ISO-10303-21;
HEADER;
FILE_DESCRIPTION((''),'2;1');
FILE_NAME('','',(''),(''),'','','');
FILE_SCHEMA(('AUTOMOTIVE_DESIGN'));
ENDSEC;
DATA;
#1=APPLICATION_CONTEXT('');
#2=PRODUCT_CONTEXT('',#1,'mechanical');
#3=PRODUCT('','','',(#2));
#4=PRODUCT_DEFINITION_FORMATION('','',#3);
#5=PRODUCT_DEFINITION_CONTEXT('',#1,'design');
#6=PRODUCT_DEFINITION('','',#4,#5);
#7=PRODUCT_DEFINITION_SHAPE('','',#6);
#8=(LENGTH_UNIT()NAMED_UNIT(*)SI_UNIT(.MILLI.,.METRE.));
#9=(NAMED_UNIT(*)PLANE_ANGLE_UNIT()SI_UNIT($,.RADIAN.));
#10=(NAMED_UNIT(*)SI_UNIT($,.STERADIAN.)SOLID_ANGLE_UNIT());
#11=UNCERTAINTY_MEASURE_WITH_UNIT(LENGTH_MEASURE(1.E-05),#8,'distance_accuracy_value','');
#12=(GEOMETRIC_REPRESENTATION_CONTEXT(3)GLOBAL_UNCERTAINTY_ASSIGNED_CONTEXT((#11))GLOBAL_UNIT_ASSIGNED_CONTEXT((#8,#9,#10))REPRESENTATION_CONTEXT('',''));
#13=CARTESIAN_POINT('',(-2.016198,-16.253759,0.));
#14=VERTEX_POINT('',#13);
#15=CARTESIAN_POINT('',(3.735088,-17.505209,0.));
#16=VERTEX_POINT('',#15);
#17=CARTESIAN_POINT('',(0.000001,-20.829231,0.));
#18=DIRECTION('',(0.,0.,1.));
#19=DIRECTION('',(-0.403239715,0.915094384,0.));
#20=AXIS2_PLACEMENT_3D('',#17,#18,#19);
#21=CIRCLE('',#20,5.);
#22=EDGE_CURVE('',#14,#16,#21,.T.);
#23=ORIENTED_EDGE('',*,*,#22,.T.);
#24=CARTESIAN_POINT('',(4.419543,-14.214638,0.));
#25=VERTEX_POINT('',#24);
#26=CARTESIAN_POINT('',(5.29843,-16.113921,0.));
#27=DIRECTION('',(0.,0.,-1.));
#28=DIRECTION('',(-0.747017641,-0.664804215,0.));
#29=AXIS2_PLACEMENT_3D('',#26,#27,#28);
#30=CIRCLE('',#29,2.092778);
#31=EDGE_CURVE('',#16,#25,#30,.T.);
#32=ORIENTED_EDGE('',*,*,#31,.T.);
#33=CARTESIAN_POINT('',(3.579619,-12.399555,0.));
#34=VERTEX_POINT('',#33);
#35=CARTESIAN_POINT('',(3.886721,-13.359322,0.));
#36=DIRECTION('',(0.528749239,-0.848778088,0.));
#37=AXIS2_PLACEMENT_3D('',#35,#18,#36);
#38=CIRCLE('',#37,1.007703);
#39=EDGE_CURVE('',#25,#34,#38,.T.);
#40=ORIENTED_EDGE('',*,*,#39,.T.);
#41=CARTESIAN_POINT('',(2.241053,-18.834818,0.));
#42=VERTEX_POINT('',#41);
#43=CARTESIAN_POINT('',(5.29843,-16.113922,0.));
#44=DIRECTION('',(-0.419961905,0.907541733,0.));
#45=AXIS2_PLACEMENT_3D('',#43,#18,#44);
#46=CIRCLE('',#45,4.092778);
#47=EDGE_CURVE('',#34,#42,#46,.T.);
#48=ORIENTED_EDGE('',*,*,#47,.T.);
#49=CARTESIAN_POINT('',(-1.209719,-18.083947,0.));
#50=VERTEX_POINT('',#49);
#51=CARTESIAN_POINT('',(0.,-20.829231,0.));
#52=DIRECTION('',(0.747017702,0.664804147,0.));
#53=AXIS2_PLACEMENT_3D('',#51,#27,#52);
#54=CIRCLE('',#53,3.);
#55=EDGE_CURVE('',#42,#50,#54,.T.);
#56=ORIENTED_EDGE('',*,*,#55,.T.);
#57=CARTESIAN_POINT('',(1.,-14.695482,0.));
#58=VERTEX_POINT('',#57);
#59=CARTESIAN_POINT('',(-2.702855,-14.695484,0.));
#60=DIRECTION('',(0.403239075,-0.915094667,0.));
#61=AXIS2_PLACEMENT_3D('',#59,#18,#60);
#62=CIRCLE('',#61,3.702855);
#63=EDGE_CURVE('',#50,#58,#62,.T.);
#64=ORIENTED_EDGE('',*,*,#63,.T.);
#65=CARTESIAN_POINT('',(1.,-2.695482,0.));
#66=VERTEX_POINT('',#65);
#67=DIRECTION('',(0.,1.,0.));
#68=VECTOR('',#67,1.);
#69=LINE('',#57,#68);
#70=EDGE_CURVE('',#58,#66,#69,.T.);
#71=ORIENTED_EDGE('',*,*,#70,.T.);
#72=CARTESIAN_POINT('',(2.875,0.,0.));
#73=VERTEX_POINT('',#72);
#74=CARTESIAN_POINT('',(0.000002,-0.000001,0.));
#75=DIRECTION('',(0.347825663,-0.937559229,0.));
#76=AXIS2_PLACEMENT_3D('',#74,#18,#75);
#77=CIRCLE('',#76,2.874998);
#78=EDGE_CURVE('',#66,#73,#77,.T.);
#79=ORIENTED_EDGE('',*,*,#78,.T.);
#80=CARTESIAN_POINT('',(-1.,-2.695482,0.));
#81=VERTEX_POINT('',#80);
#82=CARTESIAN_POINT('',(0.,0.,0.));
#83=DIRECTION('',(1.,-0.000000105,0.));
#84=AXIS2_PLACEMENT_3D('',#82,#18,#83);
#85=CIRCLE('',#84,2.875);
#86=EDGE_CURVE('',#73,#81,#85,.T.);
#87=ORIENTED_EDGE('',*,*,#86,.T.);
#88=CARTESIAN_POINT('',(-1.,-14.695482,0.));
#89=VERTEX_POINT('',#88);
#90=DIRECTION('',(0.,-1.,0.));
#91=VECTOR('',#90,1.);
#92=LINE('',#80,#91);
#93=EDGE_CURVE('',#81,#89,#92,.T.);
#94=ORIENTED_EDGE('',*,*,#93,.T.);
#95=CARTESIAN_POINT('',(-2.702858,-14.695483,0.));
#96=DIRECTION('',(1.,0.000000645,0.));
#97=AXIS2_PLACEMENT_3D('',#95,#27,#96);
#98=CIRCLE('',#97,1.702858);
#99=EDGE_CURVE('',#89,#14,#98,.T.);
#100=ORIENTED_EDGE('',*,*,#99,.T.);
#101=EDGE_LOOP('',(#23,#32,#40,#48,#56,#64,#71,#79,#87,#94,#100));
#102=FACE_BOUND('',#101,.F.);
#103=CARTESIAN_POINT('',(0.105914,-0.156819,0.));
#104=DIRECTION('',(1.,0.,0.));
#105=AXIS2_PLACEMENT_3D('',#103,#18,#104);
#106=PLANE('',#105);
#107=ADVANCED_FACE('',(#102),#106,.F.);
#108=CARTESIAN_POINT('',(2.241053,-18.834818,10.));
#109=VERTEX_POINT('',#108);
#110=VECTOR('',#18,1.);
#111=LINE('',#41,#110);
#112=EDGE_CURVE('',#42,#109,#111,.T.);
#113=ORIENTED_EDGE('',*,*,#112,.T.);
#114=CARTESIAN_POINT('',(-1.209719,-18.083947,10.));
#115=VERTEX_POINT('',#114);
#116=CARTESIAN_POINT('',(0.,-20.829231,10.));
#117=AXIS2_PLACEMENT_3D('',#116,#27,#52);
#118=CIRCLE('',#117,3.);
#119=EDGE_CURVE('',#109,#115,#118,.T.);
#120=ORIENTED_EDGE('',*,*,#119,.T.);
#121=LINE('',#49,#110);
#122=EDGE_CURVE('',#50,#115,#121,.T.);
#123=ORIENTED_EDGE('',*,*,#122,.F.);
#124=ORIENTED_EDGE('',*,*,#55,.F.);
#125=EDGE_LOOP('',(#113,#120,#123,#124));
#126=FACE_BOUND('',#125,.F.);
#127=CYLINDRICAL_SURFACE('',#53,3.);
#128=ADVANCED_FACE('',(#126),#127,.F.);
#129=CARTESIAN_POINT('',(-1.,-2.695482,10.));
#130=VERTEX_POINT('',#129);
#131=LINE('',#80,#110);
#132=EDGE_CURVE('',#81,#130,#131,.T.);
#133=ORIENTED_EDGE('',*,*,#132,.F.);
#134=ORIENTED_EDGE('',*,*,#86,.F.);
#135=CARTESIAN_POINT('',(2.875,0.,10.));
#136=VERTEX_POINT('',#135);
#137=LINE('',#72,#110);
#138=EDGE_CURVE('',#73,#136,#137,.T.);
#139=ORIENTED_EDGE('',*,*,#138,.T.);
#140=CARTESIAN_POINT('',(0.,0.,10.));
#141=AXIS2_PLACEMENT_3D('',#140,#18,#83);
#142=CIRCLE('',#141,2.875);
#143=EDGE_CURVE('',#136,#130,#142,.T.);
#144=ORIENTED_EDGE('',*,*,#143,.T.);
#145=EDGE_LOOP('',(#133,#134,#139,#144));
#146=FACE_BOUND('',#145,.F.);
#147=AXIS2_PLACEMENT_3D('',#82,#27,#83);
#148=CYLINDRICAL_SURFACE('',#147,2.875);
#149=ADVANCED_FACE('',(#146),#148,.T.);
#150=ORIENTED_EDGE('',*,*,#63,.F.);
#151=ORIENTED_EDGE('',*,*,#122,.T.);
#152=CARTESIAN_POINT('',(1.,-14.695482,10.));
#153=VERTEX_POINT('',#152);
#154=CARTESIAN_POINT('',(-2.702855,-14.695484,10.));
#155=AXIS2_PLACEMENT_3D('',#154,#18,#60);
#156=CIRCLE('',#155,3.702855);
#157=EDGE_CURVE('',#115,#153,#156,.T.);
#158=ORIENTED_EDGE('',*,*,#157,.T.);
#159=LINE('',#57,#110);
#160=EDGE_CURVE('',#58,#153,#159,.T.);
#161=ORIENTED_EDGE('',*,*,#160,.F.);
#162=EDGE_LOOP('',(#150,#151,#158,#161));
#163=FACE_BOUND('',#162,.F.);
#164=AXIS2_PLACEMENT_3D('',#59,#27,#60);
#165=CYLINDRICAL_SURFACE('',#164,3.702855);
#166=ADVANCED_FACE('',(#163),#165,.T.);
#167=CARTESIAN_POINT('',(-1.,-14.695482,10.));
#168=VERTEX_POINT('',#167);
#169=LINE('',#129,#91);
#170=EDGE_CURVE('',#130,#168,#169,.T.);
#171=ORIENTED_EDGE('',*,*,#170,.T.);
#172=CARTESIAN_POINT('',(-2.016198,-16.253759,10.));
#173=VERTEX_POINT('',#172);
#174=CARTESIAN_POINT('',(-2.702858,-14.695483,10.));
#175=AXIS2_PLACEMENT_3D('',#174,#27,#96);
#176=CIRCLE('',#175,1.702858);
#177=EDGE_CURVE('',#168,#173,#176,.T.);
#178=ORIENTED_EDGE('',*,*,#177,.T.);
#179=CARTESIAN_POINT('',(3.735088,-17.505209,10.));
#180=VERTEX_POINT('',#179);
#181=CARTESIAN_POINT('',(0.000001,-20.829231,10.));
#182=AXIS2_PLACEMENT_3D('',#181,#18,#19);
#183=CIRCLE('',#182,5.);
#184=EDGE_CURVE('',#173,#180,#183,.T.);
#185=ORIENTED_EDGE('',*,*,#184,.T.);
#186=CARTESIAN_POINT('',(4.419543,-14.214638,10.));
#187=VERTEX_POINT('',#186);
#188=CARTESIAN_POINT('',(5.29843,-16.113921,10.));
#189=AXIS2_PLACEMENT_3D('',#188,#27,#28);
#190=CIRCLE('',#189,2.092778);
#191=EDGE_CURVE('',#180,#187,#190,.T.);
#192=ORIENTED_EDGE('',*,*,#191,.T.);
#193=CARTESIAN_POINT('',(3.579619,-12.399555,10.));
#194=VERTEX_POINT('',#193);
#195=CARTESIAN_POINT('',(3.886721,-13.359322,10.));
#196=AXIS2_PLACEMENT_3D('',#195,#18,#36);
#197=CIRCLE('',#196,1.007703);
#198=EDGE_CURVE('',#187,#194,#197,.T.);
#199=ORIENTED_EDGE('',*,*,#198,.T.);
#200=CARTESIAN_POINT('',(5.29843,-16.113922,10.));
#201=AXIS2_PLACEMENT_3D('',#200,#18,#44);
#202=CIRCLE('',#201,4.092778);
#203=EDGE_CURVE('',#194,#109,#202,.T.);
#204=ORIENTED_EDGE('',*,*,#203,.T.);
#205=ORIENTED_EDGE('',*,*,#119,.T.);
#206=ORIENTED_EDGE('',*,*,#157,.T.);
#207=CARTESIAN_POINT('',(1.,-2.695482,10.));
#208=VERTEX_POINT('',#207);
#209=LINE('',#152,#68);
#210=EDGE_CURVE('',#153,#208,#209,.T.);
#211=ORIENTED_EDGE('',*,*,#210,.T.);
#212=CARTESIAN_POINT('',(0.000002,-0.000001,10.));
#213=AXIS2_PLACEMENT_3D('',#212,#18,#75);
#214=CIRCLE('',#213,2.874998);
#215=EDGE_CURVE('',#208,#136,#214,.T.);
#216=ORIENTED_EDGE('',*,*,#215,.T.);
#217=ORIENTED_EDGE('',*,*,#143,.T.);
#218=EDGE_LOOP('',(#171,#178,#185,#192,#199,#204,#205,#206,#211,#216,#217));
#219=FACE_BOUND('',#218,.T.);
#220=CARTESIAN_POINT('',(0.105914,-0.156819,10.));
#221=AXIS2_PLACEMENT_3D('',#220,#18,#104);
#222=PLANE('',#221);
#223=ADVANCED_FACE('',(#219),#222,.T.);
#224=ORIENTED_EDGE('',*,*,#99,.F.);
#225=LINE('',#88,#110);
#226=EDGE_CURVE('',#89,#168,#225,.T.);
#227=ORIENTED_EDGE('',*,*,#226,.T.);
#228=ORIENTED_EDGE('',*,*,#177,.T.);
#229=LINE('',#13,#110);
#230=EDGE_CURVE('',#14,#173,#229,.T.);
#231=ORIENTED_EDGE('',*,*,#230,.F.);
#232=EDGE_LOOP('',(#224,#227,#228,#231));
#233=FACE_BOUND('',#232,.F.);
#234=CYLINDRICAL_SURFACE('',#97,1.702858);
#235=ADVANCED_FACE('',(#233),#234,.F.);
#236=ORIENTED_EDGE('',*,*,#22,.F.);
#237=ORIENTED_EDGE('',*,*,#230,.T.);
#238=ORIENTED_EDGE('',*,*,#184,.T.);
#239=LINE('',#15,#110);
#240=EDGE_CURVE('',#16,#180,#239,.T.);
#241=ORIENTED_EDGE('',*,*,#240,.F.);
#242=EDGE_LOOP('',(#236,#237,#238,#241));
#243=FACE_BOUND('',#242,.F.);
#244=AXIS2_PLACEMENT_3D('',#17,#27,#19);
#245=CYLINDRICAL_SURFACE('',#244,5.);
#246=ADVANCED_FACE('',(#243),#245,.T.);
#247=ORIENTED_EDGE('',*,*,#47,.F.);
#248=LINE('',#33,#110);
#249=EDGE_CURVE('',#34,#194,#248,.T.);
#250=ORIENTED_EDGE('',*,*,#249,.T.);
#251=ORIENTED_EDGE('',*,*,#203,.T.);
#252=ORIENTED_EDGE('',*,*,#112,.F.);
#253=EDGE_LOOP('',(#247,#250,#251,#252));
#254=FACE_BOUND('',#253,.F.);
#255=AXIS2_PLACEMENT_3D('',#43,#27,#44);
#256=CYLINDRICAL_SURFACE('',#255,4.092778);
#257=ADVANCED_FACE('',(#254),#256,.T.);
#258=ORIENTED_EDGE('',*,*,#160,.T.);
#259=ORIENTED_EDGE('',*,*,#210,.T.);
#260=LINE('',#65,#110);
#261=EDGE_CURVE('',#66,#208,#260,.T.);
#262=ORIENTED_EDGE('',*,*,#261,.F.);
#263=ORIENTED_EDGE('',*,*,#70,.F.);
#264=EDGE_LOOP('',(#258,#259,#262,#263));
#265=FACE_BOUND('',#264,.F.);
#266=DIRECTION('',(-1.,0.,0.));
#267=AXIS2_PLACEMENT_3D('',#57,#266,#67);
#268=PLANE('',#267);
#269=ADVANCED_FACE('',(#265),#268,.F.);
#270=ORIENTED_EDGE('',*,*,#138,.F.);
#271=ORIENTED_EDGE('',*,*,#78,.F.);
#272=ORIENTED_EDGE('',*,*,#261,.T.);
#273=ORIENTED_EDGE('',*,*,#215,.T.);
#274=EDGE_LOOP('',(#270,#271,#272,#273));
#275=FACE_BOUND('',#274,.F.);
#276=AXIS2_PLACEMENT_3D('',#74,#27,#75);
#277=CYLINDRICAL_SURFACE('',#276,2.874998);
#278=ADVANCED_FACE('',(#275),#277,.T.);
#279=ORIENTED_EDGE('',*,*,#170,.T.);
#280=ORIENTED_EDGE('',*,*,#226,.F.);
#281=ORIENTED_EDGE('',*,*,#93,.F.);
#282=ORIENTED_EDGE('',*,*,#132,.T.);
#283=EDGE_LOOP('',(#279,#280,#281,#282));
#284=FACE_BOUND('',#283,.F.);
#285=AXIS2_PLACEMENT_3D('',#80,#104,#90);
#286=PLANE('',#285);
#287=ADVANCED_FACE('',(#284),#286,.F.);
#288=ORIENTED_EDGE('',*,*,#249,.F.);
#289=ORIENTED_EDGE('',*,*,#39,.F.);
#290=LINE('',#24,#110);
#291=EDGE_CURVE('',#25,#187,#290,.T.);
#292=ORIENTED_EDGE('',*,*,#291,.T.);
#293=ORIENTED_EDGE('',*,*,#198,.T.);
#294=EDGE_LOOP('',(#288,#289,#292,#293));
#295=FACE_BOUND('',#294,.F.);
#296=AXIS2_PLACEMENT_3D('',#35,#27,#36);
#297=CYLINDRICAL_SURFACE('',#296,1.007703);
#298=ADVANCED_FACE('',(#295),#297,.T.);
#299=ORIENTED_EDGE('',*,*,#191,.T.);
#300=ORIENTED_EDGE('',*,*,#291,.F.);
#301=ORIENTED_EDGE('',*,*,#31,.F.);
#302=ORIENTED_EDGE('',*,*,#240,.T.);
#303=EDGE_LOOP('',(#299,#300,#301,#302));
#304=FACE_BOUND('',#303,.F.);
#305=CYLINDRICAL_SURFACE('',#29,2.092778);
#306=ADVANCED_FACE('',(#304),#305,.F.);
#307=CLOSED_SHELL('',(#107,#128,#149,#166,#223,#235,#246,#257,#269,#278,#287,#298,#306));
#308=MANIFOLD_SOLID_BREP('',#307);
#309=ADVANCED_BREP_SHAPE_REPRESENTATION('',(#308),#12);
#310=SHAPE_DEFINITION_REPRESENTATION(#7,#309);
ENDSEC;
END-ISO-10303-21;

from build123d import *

# Parameters (mm, degrees)
F1_DEPTH = 10


with BuildPart() as f1:
    # F0 (on Top) → F1 (new body)
    with BuildSketch(Plane.XY):
        with BuildLine():
            ThreePointArc((1, -2.695482), (2.360151, -1.641741), (2.875, 0))
            ThreePointArc((2.875, 0), (-1.641741, 2.360151), (-1, -2.695482))
            ThreePointArc((-1, -2.695482), (0, -2.875), (1, -2.695482))
        make_face()
        with BuildLine():
            ThreePointArc((1, -2.695482), (0, -2.875), (-1, -2.695482))
            Line((-1, -2.695482), (-1, -14.695482))
            ThreePointArc((-1, -14.695482), (-1.276497, -15.625655), (-2.016198, -16.253759))
            ThreePointArc((-2.016198, -16.253759), (-1.063098, -25.714906), (3.735088, -17.505209))
            ThreePointArc((3.735088, -17.505209), (3.249507, -15.687736), (4.419543, -14.214638))
            ThreePointArc((4.419543, -14.214638), (4.801253, -12.936125), (3.579619, -12.399555))
            ThreePointArc((3.579619, -12.399555), (1.291418, -15.280443), (2.241053, -18.834818))
            ThreePointArc((2.241053, -18.834818), (-0.637859, -23.760636), (-1.209719, -18.083947))
            ThreePointArc((-1.209719, -18.083947), (0.398758, -16.718139), (1, -14.695482))
            Line((1, -14.695482), (1, -2.695482))
        make_face()
    extrude(amount=F1_DEPTH)


solid = f1.part
